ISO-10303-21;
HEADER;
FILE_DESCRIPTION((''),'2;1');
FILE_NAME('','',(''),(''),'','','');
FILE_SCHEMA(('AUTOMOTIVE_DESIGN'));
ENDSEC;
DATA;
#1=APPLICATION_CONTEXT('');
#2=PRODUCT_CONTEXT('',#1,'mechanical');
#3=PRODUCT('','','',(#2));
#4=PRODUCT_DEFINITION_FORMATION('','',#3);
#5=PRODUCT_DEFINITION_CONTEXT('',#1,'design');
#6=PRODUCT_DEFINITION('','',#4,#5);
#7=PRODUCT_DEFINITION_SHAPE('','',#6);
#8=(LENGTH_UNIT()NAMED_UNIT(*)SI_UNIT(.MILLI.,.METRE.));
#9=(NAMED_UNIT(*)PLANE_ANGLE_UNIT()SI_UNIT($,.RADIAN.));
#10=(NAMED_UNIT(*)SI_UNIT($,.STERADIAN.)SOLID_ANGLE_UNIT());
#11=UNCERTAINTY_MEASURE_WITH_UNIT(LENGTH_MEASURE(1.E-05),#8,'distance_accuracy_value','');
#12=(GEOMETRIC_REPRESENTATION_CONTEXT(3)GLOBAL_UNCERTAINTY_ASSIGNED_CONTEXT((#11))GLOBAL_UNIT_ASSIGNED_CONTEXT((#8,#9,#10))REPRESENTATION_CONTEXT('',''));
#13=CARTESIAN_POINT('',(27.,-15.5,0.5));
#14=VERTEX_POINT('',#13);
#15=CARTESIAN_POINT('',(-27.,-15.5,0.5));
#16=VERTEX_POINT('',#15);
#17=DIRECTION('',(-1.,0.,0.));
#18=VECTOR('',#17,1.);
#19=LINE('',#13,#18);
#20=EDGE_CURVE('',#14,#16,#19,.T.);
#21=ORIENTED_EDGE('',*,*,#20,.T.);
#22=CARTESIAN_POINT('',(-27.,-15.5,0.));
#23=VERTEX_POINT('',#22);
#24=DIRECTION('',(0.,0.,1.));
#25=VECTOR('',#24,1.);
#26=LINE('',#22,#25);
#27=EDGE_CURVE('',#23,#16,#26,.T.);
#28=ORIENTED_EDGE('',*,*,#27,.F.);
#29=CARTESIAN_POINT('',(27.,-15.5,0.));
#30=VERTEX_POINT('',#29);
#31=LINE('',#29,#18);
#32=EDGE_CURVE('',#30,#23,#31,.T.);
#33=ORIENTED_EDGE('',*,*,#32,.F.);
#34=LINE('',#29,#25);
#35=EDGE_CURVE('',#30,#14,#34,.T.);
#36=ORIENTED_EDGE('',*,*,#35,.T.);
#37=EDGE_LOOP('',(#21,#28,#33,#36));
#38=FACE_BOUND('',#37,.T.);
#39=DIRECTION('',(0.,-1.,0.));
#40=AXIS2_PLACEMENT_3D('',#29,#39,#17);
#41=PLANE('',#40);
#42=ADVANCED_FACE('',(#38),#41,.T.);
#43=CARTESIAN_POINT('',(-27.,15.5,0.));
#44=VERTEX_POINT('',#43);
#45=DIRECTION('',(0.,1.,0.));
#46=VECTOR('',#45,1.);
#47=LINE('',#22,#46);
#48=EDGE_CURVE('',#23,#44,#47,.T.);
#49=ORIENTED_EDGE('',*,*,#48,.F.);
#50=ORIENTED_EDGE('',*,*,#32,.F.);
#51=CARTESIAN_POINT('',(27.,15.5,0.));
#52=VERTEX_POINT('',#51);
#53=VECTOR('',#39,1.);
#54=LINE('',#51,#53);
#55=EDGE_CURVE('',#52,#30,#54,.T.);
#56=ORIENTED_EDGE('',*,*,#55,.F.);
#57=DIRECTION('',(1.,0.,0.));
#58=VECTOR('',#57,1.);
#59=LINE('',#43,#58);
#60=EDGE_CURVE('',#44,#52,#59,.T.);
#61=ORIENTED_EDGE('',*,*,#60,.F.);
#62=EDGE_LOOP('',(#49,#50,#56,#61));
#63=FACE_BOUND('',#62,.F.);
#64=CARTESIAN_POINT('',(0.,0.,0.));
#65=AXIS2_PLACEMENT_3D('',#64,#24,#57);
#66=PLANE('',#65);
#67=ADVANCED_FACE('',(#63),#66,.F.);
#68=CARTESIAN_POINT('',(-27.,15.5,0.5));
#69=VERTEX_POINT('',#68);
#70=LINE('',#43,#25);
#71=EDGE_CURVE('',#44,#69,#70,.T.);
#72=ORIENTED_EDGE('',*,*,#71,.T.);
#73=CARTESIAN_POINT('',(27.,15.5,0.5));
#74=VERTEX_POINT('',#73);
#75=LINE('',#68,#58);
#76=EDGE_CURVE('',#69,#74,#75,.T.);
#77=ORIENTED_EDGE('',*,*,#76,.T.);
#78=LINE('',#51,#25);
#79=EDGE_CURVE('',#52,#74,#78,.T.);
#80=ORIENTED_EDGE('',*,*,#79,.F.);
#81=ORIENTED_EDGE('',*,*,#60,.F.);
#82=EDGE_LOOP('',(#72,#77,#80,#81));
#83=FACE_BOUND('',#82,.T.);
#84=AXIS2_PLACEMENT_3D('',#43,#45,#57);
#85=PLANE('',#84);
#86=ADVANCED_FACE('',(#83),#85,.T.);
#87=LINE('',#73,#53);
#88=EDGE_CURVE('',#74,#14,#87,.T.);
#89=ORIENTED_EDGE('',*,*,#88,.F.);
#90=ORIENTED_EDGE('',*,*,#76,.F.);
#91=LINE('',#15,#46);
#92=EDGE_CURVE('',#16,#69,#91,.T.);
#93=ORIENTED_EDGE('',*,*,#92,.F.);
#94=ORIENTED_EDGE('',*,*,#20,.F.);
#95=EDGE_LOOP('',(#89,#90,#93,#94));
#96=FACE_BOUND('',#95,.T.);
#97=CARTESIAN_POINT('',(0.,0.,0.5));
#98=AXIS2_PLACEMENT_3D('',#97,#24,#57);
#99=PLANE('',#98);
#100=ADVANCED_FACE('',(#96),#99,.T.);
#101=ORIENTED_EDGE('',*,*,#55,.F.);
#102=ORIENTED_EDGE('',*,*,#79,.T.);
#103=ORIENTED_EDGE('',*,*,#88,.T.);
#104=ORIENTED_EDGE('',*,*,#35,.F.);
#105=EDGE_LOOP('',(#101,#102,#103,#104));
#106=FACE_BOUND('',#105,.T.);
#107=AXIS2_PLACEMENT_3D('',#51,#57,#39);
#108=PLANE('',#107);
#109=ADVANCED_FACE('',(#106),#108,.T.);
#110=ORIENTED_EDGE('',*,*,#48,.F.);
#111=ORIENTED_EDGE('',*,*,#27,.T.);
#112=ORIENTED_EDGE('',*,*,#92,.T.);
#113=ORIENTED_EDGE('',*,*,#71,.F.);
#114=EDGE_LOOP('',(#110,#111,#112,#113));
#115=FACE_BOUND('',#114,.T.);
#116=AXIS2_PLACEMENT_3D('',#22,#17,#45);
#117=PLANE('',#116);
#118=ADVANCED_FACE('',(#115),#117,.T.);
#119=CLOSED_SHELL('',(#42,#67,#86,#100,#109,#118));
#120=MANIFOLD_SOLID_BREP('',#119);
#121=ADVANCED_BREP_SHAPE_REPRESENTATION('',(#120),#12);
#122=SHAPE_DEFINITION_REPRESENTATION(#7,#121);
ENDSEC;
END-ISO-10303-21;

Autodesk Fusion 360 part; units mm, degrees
sketch "Sketch1" plane through (0, 0, 0) normal (0, 0, 1) x (1, 0, 0)
  line L0 (-27, 15.5) -> (27, 15.5)
  line L1 (27, 15.5) -> (27, -15.5)
  line L2 (27, -15.5) -> (-27, -15.5)
  line L3 (-27, -15.5) -> (-27, 15.5)
  line L4 (-27, 15.5) -> (27, -15.5) construction
  line L5 (27, 15.5) -> (-27, -15.5) construction
  dimension "d1" = 31
  dimension "d2" = 54
extrude "Extrude1" add sketch "Sketch1" along normal blind 0.5
